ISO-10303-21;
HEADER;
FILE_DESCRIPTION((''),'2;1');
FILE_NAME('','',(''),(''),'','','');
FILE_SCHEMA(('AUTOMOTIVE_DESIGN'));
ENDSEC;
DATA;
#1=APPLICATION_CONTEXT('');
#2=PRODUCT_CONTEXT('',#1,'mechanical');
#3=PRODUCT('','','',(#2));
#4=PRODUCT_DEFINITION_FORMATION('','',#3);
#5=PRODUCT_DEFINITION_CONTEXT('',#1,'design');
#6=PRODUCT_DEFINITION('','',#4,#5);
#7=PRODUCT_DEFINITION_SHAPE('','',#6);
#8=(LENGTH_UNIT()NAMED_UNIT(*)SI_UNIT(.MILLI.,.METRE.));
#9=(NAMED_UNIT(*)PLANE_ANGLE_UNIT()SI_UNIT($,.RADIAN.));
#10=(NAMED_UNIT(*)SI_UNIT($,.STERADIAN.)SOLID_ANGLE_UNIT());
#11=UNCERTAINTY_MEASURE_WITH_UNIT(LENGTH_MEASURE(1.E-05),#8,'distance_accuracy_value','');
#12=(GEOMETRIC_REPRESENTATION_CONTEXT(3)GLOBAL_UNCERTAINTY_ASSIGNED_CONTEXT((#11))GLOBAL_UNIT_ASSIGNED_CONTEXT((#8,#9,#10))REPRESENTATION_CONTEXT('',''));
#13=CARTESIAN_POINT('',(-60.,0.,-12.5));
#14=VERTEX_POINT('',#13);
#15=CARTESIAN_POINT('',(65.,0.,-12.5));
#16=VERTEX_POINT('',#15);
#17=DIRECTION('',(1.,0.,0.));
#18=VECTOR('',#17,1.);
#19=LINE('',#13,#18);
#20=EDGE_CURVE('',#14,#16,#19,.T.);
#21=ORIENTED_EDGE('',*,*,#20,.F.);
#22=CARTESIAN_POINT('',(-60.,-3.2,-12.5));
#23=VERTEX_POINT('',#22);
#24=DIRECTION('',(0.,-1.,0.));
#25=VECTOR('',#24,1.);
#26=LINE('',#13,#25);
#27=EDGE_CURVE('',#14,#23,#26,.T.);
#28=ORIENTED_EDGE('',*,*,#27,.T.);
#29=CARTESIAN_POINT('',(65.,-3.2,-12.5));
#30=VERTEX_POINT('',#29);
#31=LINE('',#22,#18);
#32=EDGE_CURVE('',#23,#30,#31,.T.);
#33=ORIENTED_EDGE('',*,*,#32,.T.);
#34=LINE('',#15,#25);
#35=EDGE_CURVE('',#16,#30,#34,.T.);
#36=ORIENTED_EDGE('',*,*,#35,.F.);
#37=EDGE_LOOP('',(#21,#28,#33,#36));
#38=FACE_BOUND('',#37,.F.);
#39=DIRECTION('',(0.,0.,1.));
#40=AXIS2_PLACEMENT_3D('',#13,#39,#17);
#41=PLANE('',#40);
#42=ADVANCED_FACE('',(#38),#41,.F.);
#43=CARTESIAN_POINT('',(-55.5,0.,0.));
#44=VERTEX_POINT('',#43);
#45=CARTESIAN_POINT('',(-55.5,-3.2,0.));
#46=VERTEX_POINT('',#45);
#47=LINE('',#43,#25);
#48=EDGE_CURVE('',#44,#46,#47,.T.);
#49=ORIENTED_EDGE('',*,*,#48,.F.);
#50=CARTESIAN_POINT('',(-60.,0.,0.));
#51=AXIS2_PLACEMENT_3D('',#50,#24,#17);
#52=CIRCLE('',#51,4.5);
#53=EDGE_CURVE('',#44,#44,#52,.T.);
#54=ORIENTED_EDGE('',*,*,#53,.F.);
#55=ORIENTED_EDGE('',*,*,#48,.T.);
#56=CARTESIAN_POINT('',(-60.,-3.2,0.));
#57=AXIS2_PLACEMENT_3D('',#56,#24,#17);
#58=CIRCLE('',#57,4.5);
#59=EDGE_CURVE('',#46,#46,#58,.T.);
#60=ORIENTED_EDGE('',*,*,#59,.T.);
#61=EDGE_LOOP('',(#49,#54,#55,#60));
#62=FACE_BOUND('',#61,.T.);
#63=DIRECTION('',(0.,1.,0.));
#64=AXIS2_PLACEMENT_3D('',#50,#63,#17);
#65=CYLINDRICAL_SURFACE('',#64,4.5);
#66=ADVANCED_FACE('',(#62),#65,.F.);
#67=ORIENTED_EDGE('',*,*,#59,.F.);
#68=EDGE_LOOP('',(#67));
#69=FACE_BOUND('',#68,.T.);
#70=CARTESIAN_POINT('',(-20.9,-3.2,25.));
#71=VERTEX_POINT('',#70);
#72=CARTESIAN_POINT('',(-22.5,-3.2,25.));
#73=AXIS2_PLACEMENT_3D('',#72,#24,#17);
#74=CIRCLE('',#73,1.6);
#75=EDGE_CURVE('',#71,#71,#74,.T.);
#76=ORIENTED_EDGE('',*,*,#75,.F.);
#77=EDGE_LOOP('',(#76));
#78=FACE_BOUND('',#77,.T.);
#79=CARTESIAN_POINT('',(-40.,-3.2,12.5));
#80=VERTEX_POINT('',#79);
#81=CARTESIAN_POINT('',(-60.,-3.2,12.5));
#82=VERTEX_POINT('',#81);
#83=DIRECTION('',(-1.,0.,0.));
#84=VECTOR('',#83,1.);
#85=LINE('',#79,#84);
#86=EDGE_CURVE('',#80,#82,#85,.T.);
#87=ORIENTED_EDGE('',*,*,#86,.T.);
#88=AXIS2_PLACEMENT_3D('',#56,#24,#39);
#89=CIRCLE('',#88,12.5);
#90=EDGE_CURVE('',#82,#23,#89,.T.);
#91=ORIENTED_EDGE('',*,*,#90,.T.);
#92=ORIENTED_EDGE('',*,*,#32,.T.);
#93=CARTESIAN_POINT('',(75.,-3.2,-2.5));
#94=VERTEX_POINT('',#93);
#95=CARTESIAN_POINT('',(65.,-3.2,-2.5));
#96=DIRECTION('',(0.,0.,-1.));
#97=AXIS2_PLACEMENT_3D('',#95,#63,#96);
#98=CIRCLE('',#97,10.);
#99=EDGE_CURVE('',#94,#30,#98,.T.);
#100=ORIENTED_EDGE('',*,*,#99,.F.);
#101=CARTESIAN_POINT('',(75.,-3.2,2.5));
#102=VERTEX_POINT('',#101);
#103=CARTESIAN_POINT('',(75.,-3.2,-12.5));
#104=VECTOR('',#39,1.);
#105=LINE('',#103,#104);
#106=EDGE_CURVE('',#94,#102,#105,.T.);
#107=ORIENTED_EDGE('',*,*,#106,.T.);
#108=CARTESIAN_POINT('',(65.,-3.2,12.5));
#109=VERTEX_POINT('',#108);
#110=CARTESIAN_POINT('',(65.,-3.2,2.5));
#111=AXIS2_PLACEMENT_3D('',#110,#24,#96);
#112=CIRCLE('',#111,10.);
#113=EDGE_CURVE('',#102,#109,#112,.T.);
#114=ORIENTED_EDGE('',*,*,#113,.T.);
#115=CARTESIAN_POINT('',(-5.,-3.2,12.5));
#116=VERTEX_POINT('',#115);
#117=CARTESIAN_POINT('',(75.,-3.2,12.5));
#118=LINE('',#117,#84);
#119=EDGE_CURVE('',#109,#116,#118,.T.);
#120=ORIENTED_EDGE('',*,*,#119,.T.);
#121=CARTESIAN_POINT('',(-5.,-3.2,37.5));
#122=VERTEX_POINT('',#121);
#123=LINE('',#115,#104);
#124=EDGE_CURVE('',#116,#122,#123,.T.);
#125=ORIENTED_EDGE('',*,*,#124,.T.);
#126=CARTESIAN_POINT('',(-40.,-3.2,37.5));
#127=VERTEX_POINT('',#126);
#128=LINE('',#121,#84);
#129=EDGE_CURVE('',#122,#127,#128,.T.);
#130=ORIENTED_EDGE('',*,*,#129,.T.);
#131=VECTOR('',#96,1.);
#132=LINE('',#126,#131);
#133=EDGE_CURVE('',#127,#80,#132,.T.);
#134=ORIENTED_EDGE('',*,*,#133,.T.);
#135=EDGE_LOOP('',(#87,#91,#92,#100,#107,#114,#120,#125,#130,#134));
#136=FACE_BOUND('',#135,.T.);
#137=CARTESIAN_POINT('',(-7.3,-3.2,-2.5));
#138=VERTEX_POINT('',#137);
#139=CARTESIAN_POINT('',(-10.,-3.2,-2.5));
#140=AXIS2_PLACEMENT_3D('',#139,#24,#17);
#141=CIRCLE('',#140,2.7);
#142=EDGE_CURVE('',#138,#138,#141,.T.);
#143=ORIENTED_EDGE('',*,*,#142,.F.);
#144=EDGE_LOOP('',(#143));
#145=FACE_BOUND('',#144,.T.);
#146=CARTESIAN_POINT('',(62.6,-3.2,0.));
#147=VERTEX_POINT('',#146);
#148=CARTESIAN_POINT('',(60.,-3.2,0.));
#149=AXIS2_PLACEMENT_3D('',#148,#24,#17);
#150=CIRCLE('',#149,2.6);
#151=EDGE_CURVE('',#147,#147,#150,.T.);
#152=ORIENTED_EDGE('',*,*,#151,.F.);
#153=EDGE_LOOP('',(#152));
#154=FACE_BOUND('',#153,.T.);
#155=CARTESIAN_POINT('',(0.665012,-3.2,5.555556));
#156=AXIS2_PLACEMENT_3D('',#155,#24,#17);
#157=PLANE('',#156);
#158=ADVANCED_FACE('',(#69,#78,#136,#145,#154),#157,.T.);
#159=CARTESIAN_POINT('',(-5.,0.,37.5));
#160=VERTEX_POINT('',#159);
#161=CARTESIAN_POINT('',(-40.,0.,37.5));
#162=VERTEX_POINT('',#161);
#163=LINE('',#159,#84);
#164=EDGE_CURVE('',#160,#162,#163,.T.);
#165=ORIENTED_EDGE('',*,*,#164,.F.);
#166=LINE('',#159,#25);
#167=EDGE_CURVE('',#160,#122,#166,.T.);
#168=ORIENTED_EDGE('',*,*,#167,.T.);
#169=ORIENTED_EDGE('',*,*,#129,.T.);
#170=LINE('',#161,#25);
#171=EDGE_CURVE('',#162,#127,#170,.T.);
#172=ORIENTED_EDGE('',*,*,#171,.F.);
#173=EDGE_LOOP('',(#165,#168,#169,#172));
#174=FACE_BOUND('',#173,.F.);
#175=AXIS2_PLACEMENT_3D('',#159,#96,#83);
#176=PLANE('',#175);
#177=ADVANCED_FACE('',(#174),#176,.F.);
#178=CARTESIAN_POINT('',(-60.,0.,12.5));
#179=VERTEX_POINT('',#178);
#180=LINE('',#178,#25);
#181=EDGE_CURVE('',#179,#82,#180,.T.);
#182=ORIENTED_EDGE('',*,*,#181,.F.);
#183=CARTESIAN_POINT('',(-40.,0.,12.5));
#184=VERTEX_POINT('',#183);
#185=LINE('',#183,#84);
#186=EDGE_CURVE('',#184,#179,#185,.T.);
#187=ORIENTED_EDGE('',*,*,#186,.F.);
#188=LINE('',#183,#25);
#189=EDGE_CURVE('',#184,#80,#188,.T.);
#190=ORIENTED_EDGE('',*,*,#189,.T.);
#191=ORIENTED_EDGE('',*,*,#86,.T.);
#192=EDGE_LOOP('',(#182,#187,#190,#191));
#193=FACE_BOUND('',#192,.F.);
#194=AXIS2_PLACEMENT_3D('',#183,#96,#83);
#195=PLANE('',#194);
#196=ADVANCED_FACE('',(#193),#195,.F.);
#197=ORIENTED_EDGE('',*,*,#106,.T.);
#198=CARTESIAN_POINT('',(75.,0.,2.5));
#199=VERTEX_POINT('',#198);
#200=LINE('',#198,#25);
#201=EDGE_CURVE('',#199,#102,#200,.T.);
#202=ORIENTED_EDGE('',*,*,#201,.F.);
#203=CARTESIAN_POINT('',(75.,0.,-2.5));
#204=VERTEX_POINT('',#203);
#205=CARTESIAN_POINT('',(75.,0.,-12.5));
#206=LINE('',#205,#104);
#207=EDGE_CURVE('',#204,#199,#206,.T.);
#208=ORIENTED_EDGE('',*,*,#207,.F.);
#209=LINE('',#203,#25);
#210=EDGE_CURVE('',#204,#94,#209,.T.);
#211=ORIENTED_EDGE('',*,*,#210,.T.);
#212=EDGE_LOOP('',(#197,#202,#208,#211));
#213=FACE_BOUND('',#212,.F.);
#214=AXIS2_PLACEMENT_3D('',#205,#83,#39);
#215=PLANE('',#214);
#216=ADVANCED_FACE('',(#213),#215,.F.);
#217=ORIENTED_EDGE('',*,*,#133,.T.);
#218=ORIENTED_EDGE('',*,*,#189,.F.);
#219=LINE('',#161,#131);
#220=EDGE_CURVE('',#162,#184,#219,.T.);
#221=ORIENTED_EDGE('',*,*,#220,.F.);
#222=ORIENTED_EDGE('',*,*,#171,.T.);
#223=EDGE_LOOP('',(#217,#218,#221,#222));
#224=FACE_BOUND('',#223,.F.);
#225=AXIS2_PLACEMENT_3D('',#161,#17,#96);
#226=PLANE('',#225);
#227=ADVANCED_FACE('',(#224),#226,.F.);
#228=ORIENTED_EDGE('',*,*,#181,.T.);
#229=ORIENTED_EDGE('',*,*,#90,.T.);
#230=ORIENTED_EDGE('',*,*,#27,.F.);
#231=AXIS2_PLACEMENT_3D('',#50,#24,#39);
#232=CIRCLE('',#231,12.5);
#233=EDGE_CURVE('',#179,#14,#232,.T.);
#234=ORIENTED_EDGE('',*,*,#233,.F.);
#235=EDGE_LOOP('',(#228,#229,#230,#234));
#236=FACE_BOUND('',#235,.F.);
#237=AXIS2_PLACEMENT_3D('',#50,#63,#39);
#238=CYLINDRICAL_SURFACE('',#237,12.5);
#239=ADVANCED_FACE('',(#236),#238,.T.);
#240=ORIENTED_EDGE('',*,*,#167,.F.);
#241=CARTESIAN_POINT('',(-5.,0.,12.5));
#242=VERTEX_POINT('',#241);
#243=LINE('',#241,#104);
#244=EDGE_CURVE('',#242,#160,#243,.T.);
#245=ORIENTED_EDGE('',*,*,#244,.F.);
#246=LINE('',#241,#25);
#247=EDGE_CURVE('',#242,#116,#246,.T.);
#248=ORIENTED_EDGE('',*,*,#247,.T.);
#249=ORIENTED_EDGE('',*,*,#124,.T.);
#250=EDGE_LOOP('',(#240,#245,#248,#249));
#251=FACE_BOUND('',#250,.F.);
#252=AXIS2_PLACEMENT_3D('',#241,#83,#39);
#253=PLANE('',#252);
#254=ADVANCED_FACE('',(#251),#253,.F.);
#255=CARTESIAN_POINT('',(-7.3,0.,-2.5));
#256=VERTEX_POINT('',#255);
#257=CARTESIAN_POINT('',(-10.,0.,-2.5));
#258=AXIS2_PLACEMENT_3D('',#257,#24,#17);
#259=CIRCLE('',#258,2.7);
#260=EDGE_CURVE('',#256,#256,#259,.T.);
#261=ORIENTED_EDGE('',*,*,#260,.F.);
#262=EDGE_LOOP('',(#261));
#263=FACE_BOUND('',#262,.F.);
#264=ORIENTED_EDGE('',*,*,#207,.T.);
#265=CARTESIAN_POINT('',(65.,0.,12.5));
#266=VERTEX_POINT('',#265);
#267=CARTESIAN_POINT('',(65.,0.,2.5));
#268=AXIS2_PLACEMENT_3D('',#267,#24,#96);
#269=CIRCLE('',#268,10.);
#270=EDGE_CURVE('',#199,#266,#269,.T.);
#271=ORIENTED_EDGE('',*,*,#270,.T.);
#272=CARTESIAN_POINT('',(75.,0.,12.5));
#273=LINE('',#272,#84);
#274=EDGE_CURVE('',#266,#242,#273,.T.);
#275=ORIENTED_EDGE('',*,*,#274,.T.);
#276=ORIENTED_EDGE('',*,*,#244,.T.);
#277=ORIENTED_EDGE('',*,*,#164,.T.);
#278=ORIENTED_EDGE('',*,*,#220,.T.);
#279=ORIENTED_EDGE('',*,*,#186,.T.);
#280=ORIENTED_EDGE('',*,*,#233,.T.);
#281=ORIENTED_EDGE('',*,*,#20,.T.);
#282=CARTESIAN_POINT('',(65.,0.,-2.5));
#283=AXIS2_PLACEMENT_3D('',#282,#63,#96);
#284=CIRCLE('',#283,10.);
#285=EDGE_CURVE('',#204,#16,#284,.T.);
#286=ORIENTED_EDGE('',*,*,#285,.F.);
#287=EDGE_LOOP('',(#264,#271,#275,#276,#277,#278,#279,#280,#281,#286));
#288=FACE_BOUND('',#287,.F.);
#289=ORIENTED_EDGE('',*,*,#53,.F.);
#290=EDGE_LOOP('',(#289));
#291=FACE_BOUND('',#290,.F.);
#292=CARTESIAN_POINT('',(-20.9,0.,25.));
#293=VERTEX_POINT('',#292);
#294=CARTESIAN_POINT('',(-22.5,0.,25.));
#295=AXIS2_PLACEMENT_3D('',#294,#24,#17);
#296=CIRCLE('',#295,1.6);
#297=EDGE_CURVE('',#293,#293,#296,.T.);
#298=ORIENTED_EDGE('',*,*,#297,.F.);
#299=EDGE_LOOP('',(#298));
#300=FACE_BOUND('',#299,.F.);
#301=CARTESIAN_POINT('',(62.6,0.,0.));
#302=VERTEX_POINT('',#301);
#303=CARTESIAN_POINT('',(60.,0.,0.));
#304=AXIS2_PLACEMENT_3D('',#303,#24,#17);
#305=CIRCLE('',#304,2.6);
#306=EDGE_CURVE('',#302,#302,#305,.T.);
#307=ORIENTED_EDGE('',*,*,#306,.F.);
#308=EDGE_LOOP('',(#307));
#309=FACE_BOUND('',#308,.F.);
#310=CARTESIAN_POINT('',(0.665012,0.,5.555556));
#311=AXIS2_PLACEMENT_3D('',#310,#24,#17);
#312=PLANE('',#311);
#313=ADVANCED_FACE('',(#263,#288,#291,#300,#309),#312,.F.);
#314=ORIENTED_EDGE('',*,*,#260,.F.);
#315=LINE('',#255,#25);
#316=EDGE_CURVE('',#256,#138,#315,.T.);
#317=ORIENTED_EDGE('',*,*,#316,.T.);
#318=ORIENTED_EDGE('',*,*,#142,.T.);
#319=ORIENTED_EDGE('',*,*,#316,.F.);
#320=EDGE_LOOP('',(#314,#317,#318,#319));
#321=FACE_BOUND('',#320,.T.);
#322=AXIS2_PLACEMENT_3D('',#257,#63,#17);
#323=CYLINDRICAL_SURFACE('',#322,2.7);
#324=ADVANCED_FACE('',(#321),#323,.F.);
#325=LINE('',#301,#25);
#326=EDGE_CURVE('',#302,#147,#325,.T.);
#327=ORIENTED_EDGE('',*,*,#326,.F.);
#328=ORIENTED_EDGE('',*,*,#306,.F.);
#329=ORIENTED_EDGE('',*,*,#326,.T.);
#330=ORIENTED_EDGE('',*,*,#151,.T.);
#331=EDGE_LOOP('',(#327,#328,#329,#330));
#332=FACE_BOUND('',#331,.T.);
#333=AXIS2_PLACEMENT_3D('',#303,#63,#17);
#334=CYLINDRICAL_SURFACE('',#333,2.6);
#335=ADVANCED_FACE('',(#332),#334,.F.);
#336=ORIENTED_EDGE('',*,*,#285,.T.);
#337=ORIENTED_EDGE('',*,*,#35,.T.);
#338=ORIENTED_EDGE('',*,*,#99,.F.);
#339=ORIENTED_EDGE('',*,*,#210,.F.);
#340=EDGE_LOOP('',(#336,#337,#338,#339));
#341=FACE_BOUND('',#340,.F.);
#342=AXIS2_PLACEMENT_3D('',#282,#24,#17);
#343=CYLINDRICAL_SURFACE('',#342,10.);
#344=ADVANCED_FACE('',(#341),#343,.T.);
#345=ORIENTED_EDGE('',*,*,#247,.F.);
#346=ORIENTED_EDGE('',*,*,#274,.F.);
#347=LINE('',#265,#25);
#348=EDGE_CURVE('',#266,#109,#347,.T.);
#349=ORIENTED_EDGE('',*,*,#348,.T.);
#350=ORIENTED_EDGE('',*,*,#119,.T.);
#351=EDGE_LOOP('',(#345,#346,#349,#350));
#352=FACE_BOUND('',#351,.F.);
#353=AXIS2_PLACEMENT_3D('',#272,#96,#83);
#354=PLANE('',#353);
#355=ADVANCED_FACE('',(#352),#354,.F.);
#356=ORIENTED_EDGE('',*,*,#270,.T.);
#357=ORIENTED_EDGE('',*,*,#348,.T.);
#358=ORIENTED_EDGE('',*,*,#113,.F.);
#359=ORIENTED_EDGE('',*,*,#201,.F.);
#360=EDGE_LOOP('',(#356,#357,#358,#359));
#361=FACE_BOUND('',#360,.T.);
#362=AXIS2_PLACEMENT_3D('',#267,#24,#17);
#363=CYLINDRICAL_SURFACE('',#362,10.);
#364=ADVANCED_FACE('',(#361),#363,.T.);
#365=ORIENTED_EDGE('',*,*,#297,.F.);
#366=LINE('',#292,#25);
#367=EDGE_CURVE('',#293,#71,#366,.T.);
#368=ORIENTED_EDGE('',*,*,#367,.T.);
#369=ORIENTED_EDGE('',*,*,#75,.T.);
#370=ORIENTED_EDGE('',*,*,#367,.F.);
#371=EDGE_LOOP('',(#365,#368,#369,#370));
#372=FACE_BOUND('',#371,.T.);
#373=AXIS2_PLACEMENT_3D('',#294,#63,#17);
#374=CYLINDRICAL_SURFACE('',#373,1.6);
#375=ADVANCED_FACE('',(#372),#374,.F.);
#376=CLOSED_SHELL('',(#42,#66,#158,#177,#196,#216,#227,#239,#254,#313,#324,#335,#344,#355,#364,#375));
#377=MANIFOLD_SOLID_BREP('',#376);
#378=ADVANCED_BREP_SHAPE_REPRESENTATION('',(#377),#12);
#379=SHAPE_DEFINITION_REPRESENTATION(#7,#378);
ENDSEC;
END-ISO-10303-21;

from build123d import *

# Parameters (mm, degrees)
F0_R     = 2.7
F0_R_2   = 4.5
F0_R_3   = 2.6
F0_R_4   = 1.6
F1_DEPTH = 3.2
F2_R     = 10


with BuildPart() as f1:
    # F0 (on Front) → F1 (new body)
    with BuildSketch(Plane.XZ):
        with BuildLine():
            Line((75, -12.5), (75, 12.5))
            Line((75, 12.5), (-5, 12.5))
            Line((-5, 12.5), (-5, 37.5))
            Line((-5, 37.5), (-40, 37.5))
            Line((-40, 37.5), (-40, 12.5))
            Line((-40, 12.5), (-60, 12.5))
            ThreePointArc((-60, 12.5), (-72.5, 0), (-60, -12.5))
            Line((-60, -12.5), (75, -12.5))
        make_face()
        with Locations((-10, -2.5)):
            Circle(F0_R, mode=Mode.SUBTRACT)
        with Locations((-60, 0)):
            Circle(F0_R_2, mode=Mode.SUBTRACT)
        with Locations((60, 0)):
            Circle(F0_R_3, mode=Mode.SUBTRACT)
        with Locations((-22.5, 25)):
            Circle(F0_R_4, mode=Mode.SUBTRACT)
    extrude(amount=F1_DEPTH)

    # F2
    f2_edges = [f1.edges().sort_by_distance(p)[0] for p in [
        (75, -1.6, 12.5),
        (75, -1.6, -12.5),
    ]]
    fillet(f2_edges, radius=F2_R)


solid = f1.part
